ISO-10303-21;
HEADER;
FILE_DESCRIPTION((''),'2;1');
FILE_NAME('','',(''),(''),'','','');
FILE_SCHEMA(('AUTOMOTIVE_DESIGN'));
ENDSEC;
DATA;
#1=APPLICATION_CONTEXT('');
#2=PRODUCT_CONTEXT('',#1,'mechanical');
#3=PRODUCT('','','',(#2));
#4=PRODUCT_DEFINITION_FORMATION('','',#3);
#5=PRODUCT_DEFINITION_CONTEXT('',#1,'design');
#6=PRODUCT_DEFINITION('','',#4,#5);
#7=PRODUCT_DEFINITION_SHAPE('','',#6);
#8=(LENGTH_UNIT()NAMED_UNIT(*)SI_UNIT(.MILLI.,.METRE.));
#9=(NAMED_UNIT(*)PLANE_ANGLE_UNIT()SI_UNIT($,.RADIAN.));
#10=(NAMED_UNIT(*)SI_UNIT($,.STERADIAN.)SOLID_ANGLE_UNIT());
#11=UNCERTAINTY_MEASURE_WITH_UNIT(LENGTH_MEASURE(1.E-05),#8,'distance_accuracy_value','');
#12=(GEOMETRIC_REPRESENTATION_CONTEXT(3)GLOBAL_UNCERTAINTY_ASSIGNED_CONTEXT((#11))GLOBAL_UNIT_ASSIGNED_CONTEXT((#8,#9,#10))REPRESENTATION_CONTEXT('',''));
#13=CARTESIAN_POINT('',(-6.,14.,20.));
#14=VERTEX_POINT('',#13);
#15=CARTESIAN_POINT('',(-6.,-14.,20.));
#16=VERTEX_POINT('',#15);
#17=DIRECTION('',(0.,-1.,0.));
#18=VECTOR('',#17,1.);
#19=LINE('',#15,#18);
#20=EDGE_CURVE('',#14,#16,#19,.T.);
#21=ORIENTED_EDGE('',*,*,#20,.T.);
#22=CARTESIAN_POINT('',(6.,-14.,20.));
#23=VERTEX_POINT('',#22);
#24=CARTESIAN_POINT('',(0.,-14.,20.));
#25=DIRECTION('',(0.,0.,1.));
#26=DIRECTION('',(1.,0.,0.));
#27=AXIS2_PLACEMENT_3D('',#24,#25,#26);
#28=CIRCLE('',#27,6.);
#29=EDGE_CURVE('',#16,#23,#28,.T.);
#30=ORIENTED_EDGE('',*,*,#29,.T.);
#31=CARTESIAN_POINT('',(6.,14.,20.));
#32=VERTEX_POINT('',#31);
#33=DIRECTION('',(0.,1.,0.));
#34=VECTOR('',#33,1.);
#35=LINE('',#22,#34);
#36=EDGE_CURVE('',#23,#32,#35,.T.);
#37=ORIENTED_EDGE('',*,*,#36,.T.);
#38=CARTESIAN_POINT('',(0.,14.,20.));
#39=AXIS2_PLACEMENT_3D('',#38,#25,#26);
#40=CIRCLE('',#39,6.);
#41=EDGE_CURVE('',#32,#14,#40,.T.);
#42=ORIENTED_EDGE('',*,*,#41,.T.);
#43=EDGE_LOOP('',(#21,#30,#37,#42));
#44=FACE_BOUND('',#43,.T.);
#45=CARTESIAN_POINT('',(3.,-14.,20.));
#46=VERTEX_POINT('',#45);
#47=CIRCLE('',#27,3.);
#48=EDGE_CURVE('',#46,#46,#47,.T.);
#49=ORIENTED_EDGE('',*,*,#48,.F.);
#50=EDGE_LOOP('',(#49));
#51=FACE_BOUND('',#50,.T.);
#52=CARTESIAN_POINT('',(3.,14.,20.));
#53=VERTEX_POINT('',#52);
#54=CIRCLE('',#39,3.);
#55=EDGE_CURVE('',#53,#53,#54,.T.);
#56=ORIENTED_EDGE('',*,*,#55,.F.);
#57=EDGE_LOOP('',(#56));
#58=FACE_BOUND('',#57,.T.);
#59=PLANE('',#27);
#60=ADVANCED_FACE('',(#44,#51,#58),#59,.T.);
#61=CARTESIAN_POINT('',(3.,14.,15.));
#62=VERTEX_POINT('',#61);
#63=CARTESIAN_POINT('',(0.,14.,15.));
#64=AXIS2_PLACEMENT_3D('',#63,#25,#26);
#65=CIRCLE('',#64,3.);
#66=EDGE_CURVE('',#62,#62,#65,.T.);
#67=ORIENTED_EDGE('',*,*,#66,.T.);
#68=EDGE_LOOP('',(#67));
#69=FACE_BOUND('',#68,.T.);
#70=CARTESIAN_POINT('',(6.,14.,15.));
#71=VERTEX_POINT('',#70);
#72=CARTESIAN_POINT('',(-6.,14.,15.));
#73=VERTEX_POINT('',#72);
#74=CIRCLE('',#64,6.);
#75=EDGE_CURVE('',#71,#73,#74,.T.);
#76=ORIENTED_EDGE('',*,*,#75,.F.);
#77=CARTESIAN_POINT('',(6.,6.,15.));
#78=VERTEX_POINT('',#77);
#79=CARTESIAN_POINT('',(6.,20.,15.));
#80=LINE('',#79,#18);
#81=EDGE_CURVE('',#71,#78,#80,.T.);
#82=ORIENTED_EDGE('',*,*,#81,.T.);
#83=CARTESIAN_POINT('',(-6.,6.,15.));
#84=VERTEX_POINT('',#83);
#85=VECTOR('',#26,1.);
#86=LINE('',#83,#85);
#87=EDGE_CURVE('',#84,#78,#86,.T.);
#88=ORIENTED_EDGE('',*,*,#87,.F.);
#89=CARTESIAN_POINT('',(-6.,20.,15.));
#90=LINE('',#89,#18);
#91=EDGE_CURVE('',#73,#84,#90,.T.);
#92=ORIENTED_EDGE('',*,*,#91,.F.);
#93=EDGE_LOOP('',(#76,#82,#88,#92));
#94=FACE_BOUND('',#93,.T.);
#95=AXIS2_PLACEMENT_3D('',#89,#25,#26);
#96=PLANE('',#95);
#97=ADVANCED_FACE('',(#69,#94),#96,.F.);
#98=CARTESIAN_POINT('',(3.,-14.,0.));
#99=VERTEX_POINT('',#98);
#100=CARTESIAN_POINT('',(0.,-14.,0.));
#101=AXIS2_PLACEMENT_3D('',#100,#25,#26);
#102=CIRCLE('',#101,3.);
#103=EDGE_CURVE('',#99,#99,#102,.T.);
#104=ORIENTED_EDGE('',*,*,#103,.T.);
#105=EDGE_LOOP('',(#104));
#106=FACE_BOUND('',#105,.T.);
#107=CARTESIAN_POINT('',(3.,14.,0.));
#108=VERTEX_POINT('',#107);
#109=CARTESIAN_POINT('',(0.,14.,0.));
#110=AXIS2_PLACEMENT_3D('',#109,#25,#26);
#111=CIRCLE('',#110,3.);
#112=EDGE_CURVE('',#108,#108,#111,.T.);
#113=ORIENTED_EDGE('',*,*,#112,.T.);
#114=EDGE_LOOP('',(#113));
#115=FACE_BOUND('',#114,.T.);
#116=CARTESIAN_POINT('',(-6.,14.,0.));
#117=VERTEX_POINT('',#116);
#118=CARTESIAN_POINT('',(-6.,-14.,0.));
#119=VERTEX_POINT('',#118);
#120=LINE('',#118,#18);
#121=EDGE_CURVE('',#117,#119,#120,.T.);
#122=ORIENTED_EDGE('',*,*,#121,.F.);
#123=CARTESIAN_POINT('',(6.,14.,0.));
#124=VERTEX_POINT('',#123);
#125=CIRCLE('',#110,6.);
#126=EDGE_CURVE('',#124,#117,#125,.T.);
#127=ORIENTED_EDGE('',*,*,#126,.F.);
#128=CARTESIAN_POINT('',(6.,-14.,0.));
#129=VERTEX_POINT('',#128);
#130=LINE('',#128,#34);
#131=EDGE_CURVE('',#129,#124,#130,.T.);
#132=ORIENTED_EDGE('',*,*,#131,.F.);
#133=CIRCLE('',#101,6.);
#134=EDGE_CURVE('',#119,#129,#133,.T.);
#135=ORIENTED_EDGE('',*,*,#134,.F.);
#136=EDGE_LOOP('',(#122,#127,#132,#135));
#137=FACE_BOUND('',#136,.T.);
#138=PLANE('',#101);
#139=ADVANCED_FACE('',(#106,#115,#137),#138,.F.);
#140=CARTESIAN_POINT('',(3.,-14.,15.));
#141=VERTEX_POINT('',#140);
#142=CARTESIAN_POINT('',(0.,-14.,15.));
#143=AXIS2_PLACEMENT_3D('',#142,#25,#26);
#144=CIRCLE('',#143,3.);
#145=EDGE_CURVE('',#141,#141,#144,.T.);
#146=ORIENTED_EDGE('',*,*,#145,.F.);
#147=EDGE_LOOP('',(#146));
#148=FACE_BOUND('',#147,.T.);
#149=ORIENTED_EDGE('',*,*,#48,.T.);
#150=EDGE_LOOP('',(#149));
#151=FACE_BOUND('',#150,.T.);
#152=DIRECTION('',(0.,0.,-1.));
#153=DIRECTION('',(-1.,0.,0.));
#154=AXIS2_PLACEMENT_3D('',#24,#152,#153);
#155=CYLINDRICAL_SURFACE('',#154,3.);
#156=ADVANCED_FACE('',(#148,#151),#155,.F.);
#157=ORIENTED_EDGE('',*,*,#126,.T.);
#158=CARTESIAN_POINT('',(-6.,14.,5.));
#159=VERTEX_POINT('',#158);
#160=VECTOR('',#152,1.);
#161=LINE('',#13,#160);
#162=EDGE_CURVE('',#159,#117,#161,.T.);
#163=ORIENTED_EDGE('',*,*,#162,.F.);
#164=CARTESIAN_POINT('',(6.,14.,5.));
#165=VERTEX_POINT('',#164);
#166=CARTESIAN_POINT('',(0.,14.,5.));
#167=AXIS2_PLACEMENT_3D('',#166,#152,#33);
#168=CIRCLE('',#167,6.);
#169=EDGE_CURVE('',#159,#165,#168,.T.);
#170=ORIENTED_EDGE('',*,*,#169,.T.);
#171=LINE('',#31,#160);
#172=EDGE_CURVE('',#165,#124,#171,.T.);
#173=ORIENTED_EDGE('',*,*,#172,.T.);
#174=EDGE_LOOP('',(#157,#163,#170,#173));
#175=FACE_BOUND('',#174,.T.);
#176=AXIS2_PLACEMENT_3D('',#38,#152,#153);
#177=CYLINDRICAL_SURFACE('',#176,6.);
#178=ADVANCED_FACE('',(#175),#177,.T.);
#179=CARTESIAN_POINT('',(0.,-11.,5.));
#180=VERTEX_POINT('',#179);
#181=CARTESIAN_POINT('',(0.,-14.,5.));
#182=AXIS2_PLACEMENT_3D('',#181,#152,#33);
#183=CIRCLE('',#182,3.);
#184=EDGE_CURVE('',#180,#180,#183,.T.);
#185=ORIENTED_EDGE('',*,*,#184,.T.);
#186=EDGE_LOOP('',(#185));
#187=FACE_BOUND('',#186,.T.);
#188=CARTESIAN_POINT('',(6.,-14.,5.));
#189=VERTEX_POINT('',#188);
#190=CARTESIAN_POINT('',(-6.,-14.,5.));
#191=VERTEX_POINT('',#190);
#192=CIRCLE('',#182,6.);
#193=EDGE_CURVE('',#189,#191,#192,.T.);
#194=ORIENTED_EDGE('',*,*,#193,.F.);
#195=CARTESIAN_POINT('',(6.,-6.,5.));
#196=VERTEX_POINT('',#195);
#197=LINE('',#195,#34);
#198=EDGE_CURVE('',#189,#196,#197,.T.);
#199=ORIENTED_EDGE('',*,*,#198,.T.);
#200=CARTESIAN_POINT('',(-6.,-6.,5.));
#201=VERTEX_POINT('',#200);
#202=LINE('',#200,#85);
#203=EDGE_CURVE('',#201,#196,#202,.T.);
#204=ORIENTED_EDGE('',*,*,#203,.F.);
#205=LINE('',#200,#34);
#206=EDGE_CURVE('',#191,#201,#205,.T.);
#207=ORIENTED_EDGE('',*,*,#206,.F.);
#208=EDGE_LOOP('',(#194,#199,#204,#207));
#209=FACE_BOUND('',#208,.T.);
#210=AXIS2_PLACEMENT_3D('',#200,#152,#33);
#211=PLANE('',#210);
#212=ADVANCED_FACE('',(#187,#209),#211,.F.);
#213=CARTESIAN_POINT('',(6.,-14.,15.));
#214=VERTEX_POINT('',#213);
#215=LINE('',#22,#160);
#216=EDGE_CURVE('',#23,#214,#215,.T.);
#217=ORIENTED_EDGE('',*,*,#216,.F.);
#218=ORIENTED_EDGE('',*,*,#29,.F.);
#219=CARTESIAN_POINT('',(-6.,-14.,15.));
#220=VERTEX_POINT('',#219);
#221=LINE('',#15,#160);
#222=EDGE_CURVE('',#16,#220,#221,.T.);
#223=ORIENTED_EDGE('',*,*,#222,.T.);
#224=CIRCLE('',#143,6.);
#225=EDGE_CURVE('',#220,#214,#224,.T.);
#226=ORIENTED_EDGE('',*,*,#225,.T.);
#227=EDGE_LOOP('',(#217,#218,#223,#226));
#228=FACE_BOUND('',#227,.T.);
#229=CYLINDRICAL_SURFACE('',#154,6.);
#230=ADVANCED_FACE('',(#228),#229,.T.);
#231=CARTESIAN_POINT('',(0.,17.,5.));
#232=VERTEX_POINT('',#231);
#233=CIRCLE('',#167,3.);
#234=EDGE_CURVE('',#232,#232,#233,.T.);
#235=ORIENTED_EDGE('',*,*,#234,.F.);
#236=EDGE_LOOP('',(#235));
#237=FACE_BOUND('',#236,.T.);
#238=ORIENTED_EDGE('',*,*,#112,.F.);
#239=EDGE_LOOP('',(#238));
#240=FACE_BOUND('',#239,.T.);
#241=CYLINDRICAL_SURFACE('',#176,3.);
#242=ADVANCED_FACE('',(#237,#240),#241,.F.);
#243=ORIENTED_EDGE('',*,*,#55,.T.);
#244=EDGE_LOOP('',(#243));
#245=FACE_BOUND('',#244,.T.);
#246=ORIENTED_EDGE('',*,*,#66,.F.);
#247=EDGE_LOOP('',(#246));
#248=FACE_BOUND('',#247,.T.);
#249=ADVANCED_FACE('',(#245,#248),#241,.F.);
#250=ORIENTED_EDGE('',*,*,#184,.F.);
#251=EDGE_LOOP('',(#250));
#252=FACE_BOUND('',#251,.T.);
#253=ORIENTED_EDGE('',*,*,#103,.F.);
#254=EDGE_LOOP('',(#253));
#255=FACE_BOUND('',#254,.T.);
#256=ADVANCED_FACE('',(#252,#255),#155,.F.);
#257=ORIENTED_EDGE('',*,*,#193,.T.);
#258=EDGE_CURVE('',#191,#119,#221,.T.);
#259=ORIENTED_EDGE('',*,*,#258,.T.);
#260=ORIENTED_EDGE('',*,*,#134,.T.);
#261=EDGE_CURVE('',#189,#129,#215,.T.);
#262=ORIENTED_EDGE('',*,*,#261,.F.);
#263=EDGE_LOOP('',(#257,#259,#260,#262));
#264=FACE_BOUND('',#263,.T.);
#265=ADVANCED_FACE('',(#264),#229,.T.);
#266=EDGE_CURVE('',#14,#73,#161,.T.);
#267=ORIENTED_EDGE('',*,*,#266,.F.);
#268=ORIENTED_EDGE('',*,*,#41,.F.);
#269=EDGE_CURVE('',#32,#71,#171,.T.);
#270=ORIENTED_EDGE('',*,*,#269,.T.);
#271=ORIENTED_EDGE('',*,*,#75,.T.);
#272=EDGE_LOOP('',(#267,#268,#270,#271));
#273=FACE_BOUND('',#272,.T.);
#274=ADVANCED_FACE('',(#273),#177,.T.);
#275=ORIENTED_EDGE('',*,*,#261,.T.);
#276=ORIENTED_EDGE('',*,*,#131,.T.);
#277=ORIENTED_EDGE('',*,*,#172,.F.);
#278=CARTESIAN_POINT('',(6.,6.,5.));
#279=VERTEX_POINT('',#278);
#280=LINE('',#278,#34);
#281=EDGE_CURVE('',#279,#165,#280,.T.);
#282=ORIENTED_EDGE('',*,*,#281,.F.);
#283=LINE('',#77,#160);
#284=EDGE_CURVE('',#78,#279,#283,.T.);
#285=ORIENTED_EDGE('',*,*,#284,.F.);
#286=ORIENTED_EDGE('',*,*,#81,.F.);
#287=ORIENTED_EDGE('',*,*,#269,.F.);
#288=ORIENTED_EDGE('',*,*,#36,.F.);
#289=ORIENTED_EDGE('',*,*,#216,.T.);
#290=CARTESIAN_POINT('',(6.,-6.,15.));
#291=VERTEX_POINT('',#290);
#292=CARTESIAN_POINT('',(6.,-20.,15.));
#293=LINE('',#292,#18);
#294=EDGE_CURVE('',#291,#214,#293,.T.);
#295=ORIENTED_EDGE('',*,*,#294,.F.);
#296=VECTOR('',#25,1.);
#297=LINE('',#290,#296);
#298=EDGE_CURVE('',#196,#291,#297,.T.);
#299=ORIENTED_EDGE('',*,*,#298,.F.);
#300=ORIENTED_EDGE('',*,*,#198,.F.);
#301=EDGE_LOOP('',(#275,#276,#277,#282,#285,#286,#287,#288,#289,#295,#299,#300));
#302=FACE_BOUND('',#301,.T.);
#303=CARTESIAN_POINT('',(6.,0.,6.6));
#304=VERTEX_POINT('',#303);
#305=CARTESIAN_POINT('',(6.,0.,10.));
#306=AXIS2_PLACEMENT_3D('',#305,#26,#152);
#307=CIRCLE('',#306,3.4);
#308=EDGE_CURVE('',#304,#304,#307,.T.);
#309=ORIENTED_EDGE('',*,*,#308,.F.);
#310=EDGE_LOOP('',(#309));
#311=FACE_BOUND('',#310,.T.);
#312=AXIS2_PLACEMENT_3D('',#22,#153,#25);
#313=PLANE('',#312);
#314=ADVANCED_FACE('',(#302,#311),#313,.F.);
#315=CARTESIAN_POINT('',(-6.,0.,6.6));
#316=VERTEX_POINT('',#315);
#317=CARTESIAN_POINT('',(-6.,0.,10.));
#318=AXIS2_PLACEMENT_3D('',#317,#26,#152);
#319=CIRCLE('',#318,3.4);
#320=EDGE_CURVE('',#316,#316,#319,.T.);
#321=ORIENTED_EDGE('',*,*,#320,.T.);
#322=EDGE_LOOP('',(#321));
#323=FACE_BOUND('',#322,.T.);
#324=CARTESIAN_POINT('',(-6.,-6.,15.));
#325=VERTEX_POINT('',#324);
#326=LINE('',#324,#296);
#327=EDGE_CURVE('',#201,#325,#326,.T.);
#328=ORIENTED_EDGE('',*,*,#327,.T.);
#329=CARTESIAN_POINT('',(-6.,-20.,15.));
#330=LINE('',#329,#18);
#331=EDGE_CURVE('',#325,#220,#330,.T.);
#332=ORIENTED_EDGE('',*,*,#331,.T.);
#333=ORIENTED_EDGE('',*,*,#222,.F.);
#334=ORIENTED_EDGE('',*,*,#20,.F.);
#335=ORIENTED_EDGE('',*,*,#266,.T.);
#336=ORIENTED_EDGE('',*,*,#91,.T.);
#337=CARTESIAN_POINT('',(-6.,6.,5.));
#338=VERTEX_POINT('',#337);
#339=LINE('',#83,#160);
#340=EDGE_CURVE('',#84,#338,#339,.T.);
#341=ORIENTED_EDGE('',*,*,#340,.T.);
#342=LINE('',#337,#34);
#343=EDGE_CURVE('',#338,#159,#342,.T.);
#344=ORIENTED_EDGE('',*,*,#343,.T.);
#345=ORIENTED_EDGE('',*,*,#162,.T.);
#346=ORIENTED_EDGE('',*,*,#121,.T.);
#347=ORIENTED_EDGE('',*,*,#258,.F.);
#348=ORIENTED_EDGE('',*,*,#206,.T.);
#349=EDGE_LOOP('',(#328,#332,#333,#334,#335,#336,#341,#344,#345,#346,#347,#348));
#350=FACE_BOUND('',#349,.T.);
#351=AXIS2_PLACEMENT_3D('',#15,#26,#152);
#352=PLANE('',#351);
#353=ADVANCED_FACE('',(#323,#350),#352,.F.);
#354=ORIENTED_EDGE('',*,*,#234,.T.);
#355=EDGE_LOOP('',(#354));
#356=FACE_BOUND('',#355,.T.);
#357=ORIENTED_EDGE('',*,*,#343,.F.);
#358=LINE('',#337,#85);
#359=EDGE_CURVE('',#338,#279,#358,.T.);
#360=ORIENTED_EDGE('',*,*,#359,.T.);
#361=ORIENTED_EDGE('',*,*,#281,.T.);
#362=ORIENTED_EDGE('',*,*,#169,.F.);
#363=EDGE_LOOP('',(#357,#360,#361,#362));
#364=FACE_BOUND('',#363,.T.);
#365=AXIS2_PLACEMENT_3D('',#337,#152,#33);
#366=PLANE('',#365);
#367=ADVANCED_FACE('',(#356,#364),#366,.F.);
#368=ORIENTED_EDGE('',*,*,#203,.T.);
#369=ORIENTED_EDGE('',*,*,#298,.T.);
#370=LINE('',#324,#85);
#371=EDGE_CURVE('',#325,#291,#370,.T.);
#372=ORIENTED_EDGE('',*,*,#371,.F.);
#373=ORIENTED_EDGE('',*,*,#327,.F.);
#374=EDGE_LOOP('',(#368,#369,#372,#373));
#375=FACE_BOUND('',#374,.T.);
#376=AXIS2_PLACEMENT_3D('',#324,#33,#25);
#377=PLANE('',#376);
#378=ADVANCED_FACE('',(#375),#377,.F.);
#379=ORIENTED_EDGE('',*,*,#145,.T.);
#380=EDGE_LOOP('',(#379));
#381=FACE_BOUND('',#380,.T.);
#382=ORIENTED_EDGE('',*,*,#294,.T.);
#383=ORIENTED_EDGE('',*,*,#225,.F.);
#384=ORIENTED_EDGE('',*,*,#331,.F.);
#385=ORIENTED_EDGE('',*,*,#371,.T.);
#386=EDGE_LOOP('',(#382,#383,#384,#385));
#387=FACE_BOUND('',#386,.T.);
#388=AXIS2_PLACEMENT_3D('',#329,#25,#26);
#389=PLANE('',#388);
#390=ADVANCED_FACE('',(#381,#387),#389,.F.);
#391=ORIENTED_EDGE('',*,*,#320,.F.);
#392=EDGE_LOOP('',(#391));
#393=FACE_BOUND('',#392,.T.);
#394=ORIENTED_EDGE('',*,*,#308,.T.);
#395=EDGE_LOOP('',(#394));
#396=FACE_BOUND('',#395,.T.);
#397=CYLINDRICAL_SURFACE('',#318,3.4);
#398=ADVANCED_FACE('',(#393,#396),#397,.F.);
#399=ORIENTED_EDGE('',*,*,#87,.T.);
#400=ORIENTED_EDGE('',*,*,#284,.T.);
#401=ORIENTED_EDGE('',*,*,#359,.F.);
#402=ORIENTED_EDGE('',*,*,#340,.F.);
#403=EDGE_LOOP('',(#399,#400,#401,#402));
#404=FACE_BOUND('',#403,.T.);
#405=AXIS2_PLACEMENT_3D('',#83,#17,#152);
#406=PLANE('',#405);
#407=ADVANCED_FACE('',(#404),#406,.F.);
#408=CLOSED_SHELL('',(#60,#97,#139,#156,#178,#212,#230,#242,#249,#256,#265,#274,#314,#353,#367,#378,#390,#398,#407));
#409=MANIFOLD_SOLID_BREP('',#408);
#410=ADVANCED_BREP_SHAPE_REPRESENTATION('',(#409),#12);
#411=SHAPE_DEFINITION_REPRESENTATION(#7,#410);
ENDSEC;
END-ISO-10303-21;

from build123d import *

# Parameters (mm, degrees)
ESBO_O2_R                  = 3
RESSALTO_EXTRUS_O1_DEPTH   = 20
CORTE_EXTRUS_O1_DEPTH      = 29.91366459
CORTE_EXTRUS_O1_DEPTH_BACK = 29.91366459
ESBO_O3_R                  = 3.4
ESBO_O3_W                  = 10
ESBO_O3_H                  = 14


with BuildPart() as part:
    # Esboço2 → Ressalto-extrusão1 (new body)
    with BuildSketch(Plane.XY):
        with BuildLine():
            Line((-6, -14), (-6, 14))
            ThreePointArc((-6, 14), (0, 20), (6, 14))
            Line((6, 14), (6, -14))
            ThreePointArc((6, -14), (0, -20), (-6, -14))
        make_face()
        with Locations((0, -14)):
            Circle(ESBO_O2_R, mode=Mode.SUBTRACT)
        with Locations((0, 14)):
            Circle(ESBO_O2_R, mode=Mode.SUBTRACT)
    extrude(amount=RESSALTO_EXTRUS_O1_DEPTH)

    # Esboço3 → Corte-extrusão1 (cut, two sides: drawn at the far end of the back side and taken through both)
    with BuildSketch(Plane(origin=(0, 0, 0), x_dir=(0, 0, -1), z_dir=(1, 0, 0)).offset(-CORTE_EXTRUS_O1_DEPTH_BACK)):
        with Locations((-10, 0)):
            Circle(ESBO_O3_R)
        with Locations((-10, -13)):
            Rectangle(ESBO_O3_W, ESBO_O3_H)
        with Locations((-10, 13)):
            Rectangle(ESBO_O3_W, ESBO_O3_H)
    extrude(amount=CORTE_EXTRUS_O1_DEPTH + CORTE_EXTRUS_O1_DEPTH_BACK, mode=Mode.SUBTRACT)


solid = part.part
